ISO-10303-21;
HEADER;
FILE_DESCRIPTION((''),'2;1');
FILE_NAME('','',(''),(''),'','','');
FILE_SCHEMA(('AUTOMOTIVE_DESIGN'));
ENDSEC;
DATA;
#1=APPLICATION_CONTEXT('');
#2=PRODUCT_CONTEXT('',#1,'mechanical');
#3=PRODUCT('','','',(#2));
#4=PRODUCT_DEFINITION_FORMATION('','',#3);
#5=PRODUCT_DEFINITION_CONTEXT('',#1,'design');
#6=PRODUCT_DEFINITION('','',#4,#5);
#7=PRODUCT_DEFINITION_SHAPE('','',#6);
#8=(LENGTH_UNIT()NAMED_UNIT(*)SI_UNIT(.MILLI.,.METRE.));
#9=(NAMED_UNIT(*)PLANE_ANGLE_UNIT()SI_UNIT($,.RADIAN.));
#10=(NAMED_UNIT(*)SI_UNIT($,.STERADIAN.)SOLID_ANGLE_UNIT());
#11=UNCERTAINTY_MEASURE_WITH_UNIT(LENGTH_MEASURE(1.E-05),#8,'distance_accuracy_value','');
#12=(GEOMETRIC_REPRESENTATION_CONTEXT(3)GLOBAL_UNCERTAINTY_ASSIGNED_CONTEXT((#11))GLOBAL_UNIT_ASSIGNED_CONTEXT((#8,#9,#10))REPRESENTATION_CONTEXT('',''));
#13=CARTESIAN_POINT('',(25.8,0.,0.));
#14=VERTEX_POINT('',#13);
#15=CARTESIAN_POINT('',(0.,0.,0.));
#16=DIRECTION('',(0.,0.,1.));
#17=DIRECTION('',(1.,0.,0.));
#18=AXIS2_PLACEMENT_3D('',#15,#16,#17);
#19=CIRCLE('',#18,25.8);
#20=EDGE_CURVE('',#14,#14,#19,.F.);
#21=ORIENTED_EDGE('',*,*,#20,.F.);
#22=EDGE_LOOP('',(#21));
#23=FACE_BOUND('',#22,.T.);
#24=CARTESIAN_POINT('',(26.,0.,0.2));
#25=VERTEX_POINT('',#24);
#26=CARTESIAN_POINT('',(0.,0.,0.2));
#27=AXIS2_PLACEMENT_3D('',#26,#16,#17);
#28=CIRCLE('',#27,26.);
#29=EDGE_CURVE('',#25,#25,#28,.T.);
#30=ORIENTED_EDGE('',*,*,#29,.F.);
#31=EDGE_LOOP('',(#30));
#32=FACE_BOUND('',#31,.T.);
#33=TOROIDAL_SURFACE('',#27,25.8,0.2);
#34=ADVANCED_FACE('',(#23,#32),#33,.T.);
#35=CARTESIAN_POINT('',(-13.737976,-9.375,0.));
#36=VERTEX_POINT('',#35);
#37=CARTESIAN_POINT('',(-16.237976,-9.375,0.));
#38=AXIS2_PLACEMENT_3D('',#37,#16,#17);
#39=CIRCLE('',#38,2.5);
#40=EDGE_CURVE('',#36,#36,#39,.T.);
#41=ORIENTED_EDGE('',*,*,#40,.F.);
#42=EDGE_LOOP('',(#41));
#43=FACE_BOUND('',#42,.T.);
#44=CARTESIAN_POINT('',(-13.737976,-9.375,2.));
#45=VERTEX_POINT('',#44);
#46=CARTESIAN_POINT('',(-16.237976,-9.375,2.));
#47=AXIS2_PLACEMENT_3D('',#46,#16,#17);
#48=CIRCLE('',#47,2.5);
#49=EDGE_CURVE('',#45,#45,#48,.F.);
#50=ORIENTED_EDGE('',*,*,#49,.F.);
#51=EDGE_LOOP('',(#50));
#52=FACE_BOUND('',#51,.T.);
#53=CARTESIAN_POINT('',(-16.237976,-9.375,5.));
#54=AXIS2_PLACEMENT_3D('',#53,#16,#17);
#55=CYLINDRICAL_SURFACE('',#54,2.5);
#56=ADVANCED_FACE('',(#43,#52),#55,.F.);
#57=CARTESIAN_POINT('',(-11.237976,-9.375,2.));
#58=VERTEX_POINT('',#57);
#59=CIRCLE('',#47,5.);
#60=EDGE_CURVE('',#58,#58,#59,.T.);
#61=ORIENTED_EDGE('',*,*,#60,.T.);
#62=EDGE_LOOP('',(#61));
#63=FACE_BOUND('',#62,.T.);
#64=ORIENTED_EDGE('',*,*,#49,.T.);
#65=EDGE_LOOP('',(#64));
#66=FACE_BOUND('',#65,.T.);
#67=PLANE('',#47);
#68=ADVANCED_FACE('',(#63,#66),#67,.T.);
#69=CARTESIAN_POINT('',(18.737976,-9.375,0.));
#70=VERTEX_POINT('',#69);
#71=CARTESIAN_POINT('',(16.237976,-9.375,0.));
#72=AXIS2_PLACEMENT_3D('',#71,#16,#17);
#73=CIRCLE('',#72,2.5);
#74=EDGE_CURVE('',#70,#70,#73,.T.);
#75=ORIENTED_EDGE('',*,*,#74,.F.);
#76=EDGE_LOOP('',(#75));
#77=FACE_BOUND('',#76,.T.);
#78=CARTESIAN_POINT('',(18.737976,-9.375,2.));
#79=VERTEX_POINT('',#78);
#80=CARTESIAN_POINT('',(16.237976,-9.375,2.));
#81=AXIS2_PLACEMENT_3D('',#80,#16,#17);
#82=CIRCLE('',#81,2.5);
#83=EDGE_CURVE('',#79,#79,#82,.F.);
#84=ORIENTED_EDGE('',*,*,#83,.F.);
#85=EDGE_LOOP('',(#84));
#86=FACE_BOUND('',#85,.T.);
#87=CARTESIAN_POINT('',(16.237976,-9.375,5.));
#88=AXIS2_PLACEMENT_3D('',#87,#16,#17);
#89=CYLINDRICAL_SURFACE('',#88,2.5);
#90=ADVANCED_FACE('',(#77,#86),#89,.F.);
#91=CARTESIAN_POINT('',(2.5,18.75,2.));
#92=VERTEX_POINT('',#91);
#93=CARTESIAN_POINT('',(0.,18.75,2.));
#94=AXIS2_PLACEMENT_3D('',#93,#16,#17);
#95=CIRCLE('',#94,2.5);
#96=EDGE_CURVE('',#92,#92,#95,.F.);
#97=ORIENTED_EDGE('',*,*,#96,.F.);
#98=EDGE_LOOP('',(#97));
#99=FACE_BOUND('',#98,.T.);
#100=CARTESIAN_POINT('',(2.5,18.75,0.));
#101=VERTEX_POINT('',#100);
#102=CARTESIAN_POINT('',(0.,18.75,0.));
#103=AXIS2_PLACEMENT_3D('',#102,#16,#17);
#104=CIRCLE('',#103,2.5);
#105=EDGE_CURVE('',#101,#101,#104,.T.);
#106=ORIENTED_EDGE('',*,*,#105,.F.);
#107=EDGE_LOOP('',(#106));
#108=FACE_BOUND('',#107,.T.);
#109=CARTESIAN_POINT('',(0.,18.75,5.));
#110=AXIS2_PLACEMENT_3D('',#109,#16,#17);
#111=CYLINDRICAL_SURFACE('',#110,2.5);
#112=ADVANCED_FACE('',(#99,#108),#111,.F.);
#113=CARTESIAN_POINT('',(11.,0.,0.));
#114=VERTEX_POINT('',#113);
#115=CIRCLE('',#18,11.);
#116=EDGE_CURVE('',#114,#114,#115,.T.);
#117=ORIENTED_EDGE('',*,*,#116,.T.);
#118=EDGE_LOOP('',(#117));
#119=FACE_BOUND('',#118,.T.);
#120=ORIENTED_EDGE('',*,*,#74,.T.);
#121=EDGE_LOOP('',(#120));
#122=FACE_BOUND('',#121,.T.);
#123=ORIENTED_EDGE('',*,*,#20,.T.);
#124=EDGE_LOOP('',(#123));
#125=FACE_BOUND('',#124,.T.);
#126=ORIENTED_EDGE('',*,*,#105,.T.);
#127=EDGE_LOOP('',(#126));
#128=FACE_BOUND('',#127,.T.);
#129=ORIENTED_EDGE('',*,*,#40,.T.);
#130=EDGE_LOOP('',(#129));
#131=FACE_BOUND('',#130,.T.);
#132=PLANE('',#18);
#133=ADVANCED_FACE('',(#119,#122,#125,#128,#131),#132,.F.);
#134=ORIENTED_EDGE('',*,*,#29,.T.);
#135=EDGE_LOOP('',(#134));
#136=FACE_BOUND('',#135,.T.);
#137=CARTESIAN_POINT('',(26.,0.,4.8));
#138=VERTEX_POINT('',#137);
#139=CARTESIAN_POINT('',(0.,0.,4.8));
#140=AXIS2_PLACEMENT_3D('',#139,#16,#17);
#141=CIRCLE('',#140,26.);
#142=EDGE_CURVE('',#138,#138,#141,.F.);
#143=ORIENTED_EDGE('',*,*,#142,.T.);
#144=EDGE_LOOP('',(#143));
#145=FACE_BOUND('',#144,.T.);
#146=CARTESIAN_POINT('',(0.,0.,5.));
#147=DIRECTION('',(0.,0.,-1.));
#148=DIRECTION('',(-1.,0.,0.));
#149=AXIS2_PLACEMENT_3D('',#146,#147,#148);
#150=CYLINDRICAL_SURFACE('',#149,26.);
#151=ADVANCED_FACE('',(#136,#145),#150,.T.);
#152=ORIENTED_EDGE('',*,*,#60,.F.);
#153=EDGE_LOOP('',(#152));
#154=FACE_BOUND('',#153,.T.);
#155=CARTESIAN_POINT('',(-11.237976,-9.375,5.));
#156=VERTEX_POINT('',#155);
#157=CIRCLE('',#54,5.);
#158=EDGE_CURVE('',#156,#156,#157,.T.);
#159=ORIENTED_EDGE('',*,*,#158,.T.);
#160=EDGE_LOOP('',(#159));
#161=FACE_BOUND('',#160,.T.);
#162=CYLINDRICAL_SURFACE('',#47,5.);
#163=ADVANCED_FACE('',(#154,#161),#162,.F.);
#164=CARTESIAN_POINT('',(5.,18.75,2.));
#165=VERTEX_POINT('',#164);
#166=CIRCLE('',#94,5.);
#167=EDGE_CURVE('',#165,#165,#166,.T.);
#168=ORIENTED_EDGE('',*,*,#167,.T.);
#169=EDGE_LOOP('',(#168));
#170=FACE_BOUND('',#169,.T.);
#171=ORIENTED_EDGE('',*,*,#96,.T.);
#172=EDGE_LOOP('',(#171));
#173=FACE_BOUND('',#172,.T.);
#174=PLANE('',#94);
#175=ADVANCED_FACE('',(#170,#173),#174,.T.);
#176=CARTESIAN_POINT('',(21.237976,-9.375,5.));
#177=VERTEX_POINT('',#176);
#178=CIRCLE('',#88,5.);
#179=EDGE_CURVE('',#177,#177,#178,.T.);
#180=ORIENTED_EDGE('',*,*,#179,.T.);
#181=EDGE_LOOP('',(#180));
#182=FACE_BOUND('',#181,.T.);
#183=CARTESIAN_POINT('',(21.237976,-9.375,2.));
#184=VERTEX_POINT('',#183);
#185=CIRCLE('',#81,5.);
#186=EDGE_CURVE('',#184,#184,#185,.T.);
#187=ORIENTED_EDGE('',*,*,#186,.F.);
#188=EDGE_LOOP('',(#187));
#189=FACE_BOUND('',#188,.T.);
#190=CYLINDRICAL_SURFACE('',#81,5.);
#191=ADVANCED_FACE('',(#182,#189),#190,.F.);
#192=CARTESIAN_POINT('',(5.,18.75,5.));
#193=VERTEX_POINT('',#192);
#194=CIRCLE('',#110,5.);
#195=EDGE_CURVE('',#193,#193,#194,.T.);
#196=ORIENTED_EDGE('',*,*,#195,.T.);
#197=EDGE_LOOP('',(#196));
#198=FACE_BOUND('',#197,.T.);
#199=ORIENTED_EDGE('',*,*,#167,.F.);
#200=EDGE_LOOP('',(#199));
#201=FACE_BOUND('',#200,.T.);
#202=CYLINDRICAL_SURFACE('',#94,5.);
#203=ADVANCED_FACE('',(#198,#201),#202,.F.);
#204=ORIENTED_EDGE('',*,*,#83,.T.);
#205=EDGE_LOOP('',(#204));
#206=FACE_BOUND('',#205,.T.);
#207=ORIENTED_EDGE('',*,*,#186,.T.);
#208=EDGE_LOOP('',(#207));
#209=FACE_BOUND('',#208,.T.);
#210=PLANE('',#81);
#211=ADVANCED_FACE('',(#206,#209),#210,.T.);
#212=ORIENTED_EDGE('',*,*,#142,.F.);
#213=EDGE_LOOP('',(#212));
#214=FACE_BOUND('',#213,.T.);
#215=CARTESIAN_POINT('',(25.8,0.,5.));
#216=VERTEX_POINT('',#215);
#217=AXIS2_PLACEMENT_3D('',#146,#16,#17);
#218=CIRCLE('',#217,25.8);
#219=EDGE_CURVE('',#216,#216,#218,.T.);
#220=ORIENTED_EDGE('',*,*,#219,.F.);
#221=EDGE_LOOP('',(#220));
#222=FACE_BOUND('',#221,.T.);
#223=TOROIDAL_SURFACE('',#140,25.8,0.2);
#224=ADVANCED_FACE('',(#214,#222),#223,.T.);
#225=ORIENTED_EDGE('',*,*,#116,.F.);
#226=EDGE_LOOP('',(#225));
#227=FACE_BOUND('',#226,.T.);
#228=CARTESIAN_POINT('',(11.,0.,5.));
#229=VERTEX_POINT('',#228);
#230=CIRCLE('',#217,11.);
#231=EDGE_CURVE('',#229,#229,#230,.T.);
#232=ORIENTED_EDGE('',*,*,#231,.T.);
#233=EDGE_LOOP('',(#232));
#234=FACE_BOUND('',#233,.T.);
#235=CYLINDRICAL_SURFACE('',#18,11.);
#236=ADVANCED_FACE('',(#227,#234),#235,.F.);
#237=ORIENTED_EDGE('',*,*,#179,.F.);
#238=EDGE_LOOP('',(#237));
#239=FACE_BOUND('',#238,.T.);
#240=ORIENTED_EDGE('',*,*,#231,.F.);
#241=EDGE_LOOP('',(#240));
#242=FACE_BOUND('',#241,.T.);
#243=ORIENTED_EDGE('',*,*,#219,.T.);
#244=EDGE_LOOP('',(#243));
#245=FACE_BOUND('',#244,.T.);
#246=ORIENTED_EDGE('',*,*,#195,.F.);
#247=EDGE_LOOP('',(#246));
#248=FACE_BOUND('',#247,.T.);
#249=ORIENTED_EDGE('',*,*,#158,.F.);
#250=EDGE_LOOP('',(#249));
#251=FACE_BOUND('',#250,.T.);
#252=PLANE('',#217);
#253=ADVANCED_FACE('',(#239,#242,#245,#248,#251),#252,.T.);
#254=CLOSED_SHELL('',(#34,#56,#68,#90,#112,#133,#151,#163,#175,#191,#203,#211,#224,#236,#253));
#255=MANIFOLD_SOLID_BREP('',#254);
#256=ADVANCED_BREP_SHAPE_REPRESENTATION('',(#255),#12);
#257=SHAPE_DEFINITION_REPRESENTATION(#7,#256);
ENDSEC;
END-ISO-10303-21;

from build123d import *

# Parameters (mm, degrees)
SKETCH1_R            = 26
BOSS_EXTRUDE1_DEPTH  = 5
M5_CLEARANCE_HOLE1_D = 5
CIRPATTERN1_COUNT    = 3
SKETCH4_R            = 11
CUT_EXTRUDE1_DEPTH   = 5
FILLET1_R            = 0.2
SKETCH5_R            = 5
CUT_EXTRUDE2_DEPTH   = 3


with BuildPart() as part:
    # Sketch1 → Boss-Extrude1 (new body)
    with BuildSketch(Plane.XY):
        Circle(SKETCH1_R)
    extrude(amount=BOSS_EXTRUDE1_DEPTH)

    # M5 Clearance Hole1 (through all)
    with Locations(Plane.XY.offset(5)):
        with Locations((0, 18.75)):
            m5_clearance_hole1 = Hole(M5_CLEARANCE_HOLE1_D / 2)

    # CirPattern1: M5 Clearance Hole1 ×3 about axis
    cirpattern1_axis = Axis((0, 0, 0), (0, 0, 1))
    for i in range(1, CIRPATTERN1_COUNT):
        add(m5_clearance_hole1.rotate(cirpattern1_axis, i * 360 / CIRPATTERN1_COUNT), mode=Mode.SUBTRACT)

    # Sketch4 → Cut-Extrude1 (cut)
    with BuildSketch(Plane.XY.offset(5)):
        Circle(SKETCH4_R)
    extrude(amount=-CUT_EXTRUDE1_DEPTH, mode=Mode.SUBTRACT)

    # Fillet1
    fillet1_edges = [part.edges().sort_by_distance(p)[0] for p in [
        (-26, 0, 0),
        (-26, 0, 5),
    ]]
    fillet(fillet1_edges, radius=FILLET1_R)

    # Sketch5 → Cut-Extrude2 (cut)
    with BuildSketch(Plane.XY.offset(5)):
        with Locations((0, 18.75)):
            Circle(SKETCH5_R)
        with Locations((-16.237976321, -9.375)):
            Circle(SKETCH5_R)
        with Locations((16.237976321, -9.375)):
            Circle(SKETCH5_R)
    extrude(amount=-CUT_EXTRUDE2_DEPTH, mode=Mode.SUBTRACT)


solid = part.part
